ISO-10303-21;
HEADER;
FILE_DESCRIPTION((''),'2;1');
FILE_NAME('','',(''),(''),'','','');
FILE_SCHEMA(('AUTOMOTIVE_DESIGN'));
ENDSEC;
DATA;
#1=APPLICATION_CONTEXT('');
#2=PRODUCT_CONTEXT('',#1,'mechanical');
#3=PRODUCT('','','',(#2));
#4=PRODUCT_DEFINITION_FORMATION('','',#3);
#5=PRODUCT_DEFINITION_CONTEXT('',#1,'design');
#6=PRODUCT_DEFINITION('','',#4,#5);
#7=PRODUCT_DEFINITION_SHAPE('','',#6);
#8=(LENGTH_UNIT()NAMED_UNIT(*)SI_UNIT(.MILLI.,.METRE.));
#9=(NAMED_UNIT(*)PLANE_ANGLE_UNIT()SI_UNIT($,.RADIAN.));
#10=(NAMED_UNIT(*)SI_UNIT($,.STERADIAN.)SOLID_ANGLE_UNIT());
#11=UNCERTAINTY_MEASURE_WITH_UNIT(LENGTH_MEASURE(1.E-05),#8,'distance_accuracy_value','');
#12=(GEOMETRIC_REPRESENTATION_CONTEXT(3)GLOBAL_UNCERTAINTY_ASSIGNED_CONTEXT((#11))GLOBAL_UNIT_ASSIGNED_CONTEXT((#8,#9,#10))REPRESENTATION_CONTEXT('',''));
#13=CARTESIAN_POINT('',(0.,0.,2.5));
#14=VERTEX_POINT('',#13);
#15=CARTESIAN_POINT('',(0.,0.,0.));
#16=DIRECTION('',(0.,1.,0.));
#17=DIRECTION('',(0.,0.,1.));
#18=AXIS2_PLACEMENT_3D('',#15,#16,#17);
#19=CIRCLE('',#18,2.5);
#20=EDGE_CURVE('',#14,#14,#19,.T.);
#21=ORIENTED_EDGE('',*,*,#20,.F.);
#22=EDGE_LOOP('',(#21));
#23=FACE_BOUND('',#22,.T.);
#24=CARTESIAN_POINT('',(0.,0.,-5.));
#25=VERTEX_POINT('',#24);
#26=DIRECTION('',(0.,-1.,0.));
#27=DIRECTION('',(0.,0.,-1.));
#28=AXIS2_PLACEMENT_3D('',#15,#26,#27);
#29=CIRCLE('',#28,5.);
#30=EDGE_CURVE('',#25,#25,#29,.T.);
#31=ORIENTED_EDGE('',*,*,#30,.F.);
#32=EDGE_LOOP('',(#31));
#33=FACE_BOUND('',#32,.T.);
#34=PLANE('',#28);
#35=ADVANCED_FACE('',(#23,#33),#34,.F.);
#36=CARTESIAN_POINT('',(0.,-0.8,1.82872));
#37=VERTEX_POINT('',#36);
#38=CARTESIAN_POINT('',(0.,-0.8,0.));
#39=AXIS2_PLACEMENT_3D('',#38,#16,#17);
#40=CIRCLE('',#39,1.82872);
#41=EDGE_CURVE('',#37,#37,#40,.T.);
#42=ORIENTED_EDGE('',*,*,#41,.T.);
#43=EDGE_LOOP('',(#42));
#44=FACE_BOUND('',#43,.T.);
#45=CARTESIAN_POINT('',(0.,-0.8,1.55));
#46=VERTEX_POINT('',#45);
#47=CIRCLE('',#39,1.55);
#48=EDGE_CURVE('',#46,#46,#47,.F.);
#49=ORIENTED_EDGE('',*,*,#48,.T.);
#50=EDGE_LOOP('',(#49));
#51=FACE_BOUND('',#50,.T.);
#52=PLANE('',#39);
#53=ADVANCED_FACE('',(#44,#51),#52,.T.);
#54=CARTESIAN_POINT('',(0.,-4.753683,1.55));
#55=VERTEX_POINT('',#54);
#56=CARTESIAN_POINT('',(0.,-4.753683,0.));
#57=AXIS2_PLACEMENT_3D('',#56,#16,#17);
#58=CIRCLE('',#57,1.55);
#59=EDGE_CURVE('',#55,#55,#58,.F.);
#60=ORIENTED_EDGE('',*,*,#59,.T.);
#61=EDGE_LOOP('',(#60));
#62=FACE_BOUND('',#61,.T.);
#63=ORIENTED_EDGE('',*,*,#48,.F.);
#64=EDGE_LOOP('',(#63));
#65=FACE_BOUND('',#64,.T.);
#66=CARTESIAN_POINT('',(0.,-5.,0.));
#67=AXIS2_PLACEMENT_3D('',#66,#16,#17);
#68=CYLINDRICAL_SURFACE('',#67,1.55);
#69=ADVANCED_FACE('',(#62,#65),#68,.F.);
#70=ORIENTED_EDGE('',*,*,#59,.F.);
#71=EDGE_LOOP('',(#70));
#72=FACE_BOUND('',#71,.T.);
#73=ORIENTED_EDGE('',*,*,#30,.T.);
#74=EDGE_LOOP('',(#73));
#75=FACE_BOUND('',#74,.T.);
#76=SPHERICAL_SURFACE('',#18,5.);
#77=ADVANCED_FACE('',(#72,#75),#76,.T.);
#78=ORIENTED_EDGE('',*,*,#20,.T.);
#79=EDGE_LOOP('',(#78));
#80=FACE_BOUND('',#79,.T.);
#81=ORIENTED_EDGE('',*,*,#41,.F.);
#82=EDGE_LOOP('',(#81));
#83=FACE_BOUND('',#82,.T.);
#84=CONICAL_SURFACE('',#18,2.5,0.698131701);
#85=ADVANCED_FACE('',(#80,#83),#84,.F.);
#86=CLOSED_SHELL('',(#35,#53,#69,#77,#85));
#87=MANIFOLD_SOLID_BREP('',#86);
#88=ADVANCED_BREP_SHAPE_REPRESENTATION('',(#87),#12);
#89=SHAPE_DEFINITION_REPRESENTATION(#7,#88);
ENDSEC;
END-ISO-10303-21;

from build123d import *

# Parameters (mm, degrees)
REVOLVE1_ANGLE     = 180
SKETCH2_R          = 1.55
CUT_EXTRUDE1_DEPTH = 9.660254038
SKETCH3_R          = 2.5
CUT_EXTRUDE2_DEPTH = 0.8
CUT_EXTRUDE2_DRAFT = -40


with BuildPart() as part:
    # Sketch1 → Revolve1 (revolve)
    with BuildSketch(Plane(origin=(0, 0, 0), x_dir=(1, 0, 0), z_dir=(0, 1, 0))):
        with BuildLine():
            Line((5, 0), (-5, 0))
            ThreePointArc((-5, 0), (0, 5), (5, 0))
        make_face()
    revolve(axis=Axis((5, 0, 0), (-1, 0, 0)), revolution_arc=REVOLVE1_ANGLE)

    # Sketch2 → Cut-Extrude1 (cut, through all)
    with BuildSketch(Plane(origin=(0, 0, 0), x_dir=(1, 0, 0), z_dir=(0, 1, 0))):
        with Locations(Location((0, 0, 0), (0, 0, 270))):
            Circle(SKETCH2_R)
    extrude(amount=-CUT_EXTRUDE1_DEPTH, mode=Mode.SUBTRACT)


with BuildPart() as cut_extrude2_tool:
    # Sketch3 → Cut-Extrude2 (with draft: the straight prism first)
    with BuildSketch(Plane(origin=(0, 0, 0), x_dir=(1, 0, 0), z_dir=(0, 1, 0))):
        Circle(SKETCH3_R)
    extrude(amount=-CUT_EXTRUDE2_DEPTH)
    # Cut-Extrude2: the draft: its side faces are tilted about the plane it starts from
    cut_extrude2_sides = [cut_extrude2_tool.faces().sort_by_distance(p)[0] for p in [
        (-2.5, -0.4, 0),
    ]]
    draft(cut_extrude2_sides, Plane(origin=(0, 0, 0), x_dir=(1, 0, 0), z_dir=(0, 1, 0)), CUT_EXTRUDE2_DRAFT)


with BuildPart() as part_1:
    add(part.part)

    # Cut-Extrude2: cut by cut_extrude2_tool
    add(cut_extrude2_tool.part, mode=Mode.SUBTRACT)


solid = part_1.part
